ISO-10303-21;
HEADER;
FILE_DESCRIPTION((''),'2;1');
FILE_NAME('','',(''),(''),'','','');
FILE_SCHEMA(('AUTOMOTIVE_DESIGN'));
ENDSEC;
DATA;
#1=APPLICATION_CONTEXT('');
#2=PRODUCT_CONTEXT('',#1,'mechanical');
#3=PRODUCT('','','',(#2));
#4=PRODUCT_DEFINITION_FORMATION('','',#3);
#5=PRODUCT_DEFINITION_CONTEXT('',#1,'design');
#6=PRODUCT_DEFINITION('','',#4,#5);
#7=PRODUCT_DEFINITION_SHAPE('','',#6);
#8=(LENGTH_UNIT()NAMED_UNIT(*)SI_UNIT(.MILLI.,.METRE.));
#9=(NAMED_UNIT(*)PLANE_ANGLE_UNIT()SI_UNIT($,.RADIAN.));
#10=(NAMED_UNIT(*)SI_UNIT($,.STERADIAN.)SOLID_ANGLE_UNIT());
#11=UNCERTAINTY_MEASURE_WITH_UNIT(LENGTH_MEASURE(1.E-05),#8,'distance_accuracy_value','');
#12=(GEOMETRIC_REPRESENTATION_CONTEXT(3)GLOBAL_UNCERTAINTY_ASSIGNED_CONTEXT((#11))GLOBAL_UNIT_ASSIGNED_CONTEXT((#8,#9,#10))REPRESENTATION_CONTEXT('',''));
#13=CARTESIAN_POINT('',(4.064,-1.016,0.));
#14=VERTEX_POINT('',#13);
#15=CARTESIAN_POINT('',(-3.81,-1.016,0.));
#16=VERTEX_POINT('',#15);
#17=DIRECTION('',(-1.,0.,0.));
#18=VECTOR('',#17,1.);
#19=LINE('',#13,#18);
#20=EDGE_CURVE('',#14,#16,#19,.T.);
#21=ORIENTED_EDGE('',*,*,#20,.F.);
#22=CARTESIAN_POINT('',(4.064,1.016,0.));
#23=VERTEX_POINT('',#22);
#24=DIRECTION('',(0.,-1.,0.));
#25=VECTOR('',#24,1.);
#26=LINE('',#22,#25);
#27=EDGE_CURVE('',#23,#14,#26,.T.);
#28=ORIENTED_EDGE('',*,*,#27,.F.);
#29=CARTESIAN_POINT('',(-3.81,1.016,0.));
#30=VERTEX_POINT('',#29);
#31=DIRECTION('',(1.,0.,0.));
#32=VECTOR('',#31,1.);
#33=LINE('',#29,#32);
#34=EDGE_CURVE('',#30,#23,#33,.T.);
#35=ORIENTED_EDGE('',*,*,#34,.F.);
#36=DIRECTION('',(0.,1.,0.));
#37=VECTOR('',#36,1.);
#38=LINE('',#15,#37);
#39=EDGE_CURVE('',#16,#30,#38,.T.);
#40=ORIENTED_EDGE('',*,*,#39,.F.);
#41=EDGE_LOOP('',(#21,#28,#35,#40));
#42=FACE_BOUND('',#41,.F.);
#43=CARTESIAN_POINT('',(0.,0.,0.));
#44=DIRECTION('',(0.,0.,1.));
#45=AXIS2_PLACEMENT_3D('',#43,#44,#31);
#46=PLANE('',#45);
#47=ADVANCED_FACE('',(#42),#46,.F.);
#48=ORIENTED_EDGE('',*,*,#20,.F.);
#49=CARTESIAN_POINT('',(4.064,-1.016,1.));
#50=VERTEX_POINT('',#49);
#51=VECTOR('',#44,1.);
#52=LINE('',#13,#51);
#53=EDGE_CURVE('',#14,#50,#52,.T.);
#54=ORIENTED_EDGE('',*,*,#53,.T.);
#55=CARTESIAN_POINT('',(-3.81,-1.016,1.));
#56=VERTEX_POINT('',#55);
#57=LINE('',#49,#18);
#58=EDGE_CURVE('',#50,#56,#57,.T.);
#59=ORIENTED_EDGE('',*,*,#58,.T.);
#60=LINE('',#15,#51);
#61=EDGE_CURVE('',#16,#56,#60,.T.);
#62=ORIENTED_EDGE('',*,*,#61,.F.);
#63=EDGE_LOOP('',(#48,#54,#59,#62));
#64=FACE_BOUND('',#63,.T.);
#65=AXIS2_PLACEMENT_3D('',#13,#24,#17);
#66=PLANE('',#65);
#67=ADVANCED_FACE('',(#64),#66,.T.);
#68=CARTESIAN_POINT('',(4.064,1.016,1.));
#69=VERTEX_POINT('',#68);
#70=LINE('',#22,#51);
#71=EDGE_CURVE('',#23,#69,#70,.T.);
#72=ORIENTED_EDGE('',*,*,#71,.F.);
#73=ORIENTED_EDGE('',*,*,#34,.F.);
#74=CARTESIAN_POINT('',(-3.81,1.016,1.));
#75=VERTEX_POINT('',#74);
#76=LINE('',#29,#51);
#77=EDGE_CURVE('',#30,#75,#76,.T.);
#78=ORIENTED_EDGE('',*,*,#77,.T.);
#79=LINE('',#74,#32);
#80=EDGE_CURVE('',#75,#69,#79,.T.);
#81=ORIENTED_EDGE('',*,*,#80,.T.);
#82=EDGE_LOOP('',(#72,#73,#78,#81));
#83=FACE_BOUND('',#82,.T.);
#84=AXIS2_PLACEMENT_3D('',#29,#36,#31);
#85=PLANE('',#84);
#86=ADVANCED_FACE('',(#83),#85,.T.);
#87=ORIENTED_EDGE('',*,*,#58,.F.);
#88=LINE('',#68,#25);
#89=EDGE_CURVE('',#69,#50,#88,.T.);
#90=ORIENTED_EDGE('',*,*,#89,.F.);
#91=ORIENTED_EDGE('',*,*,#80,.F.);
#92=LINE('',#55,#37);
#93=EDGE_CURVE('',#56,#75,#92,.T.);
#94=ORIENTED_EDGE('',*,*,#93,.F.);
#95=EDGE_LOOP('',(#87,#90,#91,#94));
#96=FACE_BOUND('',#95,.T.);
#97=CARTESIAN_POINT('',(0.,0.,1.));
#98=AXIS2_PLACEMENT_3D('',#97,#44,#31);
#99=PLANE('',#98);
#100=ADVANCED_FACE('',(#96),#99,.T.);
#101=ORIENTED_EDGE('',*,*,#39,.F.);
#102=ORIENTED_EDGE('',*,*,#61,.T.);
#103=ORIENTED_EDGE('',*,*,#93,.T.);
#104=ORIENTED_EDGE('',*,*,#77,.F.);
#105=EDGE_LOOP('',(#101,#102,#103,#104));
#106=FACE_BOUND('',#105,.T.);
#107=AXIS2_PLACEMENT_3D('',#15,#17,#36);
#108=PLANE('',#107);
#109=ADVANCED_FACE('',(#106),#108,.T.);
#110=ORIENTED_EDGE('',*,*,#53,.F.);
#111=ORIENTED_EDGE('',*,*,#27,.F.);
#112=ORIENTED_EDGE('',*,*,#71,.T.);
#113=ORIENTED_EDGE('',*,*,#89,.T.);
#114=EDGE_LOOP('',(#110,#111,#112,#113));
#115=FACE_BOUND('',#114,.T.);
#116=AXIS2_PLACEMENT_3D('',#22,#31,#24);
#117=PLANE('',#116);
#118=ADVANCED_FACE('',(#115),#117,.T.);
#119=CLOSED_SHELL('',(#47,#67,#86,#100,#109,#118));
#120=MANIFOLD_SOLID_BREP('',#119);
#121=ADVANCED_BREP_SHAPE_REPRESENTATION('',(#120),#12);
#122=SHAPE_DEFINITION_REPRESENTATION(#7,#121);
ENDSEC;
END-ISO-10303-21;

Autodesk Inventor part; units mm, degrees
ref_plane "YZ Plane" through (0, 0, 0) normal (1, 0, 0) x (0, 1, 0)
ref_plane "XZ Plane" through (0, 0, 0) normal (0, 1, 0) x (-1, 0, 0)
ref_plane "XY Plane" through (0, 0, 0) normal (0, 0, 1) x (1, 0, 0)
sketch "DO35-7, 1N4148DO35-7_19" plane through (0, 0, 0) normal (0, 0, 1) x (1, 0, 0)
  line L0 (-3.81, 1.016) -> (4.064, 1.016)
  line L1 (4.064, 1.016) -> (4.064, -1.016)
  line L2 (4.064, -1.016) -> (-3.81, -1.016)
  line L3 (-3.81, -1.016) -> (-3.81, 1.016)
extrude "Extrusion1" add sketch "DO35-7, 1N4148DO35-7_19" along normal blind 1
properties part number "1N4148DO35-7"
